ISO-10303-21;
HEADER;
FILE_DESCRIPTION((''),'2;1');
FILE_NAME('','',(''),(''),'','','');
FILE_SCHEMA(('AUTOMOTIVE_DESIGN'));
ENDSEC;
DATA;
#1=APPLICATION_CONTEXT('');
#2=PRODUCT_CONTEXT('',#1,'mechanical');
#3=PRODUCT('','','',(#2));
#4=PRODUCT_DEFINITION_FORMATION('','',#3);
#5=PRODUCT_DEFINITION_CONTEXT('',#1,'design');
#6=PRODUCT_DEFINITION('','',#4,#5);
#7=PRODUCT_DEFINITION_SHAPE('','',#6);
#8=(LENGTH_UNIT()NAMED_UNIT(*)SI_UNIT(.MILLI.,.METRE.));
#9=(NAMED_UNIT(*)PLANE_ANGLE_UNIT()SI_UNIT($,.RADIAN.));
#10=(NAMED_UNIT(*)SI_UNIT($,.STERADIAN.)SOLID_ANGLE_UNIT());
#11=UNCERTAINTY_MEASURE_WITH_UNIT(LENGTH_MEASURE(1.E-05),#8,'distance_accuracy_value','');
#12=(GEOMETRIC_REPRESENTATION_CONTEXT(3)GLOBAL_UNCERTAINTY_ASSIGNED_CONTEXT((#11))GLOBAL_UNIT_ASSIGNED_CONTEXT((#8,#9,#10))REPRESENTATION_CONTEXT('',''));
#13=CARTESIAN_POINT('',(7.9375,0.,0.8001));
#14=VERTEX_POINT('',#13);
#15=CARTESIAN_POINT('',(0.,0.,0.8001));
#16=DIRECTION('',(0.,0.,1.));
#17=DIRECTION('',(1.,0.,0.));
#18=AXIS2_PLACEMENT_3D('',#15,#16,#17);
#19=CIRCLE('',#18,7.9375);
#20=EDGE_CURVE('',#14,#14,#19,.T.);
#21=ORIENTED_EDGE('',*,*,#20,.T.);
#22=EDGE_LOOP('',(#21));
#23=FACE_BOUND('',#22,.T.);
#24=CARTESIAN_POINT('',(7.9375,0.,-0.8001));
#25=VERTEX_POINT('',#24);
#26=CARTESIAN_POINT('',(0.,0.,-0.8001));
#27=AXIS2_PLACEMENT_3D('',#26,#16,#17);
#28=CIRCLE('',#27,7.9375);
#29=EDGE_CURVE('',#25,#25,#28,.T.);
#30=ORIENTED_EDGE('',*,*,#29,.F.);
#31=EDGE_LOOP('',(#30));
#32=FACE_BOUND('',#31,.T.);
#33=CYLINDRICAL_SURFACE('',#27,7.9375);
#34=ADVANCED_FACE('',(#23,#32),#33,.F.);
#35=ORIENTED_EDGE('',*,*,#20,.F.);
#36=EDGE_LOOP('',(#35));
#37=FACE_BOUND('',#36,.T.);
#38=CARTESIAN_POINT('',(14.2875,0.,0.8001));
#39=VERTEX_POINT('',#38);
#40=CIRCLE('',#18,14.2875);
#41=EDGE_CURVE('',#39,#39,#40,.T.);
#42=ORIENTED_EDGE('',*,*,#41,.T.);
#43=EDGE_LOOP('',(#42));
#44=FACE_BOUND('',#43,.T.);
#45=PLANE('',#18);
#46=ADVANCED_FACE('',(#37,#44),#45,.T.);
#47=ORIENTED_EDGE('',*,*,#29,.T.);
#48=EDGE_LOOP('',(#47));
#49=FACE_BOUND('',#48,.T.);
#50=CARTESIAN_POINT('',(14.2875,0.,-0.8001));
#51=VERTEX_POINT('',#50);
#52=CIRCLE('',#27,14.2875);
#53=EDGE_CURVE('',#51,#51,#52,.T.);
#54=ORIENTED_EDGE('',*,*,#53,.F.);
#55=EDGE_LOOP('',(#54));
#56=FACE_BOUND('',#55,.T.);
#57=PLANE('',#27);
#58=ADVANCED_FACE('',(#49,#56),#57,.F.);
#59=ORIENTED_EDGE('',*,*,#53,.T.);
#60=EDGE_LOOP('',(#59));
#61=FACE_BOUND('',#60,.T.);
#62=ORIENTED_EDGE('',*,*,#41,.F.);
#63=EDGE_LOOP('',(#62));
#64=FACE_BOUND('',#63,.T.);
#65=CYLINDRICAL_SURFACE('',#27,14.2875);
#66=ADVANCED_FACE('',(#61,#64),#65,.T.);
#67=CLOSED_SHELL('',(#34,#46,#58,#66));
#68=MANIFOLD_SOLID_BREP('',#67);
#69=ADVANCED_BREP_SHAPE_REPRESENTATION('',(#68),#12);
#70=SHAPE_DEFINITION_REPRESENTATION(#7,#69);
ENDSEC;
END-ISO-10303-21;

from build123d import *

# Parameters (mm, degrees)
BOSS_EXTRUDE1_DEPTH      = 0.8001
BOSS_EXTRUDE1_DEPTH_BACK = 0.8001
SKETCH3_R                = 14.2875
SKETCH3_R_2              = 7.9375


with BuildPart() as part:
    # Sketch3 → Boss-Extrude1 (new, two sides: drawn at the far end of the back side and taken through both)
    with BuildSketch(Plane.XY.offset(-BOSS_EXTRUDE1_DEPTH_BACK)):
        Circle(SKETCH3_R)
        Circle(SKETCH3_R_2, mode=Mode.SUBTRACT)
    extrude(amount=BOSS_EXTRUDE1_DEPTH + BOSS_EXTRUDE1_DEPTH_BACK)


solid = part.part
